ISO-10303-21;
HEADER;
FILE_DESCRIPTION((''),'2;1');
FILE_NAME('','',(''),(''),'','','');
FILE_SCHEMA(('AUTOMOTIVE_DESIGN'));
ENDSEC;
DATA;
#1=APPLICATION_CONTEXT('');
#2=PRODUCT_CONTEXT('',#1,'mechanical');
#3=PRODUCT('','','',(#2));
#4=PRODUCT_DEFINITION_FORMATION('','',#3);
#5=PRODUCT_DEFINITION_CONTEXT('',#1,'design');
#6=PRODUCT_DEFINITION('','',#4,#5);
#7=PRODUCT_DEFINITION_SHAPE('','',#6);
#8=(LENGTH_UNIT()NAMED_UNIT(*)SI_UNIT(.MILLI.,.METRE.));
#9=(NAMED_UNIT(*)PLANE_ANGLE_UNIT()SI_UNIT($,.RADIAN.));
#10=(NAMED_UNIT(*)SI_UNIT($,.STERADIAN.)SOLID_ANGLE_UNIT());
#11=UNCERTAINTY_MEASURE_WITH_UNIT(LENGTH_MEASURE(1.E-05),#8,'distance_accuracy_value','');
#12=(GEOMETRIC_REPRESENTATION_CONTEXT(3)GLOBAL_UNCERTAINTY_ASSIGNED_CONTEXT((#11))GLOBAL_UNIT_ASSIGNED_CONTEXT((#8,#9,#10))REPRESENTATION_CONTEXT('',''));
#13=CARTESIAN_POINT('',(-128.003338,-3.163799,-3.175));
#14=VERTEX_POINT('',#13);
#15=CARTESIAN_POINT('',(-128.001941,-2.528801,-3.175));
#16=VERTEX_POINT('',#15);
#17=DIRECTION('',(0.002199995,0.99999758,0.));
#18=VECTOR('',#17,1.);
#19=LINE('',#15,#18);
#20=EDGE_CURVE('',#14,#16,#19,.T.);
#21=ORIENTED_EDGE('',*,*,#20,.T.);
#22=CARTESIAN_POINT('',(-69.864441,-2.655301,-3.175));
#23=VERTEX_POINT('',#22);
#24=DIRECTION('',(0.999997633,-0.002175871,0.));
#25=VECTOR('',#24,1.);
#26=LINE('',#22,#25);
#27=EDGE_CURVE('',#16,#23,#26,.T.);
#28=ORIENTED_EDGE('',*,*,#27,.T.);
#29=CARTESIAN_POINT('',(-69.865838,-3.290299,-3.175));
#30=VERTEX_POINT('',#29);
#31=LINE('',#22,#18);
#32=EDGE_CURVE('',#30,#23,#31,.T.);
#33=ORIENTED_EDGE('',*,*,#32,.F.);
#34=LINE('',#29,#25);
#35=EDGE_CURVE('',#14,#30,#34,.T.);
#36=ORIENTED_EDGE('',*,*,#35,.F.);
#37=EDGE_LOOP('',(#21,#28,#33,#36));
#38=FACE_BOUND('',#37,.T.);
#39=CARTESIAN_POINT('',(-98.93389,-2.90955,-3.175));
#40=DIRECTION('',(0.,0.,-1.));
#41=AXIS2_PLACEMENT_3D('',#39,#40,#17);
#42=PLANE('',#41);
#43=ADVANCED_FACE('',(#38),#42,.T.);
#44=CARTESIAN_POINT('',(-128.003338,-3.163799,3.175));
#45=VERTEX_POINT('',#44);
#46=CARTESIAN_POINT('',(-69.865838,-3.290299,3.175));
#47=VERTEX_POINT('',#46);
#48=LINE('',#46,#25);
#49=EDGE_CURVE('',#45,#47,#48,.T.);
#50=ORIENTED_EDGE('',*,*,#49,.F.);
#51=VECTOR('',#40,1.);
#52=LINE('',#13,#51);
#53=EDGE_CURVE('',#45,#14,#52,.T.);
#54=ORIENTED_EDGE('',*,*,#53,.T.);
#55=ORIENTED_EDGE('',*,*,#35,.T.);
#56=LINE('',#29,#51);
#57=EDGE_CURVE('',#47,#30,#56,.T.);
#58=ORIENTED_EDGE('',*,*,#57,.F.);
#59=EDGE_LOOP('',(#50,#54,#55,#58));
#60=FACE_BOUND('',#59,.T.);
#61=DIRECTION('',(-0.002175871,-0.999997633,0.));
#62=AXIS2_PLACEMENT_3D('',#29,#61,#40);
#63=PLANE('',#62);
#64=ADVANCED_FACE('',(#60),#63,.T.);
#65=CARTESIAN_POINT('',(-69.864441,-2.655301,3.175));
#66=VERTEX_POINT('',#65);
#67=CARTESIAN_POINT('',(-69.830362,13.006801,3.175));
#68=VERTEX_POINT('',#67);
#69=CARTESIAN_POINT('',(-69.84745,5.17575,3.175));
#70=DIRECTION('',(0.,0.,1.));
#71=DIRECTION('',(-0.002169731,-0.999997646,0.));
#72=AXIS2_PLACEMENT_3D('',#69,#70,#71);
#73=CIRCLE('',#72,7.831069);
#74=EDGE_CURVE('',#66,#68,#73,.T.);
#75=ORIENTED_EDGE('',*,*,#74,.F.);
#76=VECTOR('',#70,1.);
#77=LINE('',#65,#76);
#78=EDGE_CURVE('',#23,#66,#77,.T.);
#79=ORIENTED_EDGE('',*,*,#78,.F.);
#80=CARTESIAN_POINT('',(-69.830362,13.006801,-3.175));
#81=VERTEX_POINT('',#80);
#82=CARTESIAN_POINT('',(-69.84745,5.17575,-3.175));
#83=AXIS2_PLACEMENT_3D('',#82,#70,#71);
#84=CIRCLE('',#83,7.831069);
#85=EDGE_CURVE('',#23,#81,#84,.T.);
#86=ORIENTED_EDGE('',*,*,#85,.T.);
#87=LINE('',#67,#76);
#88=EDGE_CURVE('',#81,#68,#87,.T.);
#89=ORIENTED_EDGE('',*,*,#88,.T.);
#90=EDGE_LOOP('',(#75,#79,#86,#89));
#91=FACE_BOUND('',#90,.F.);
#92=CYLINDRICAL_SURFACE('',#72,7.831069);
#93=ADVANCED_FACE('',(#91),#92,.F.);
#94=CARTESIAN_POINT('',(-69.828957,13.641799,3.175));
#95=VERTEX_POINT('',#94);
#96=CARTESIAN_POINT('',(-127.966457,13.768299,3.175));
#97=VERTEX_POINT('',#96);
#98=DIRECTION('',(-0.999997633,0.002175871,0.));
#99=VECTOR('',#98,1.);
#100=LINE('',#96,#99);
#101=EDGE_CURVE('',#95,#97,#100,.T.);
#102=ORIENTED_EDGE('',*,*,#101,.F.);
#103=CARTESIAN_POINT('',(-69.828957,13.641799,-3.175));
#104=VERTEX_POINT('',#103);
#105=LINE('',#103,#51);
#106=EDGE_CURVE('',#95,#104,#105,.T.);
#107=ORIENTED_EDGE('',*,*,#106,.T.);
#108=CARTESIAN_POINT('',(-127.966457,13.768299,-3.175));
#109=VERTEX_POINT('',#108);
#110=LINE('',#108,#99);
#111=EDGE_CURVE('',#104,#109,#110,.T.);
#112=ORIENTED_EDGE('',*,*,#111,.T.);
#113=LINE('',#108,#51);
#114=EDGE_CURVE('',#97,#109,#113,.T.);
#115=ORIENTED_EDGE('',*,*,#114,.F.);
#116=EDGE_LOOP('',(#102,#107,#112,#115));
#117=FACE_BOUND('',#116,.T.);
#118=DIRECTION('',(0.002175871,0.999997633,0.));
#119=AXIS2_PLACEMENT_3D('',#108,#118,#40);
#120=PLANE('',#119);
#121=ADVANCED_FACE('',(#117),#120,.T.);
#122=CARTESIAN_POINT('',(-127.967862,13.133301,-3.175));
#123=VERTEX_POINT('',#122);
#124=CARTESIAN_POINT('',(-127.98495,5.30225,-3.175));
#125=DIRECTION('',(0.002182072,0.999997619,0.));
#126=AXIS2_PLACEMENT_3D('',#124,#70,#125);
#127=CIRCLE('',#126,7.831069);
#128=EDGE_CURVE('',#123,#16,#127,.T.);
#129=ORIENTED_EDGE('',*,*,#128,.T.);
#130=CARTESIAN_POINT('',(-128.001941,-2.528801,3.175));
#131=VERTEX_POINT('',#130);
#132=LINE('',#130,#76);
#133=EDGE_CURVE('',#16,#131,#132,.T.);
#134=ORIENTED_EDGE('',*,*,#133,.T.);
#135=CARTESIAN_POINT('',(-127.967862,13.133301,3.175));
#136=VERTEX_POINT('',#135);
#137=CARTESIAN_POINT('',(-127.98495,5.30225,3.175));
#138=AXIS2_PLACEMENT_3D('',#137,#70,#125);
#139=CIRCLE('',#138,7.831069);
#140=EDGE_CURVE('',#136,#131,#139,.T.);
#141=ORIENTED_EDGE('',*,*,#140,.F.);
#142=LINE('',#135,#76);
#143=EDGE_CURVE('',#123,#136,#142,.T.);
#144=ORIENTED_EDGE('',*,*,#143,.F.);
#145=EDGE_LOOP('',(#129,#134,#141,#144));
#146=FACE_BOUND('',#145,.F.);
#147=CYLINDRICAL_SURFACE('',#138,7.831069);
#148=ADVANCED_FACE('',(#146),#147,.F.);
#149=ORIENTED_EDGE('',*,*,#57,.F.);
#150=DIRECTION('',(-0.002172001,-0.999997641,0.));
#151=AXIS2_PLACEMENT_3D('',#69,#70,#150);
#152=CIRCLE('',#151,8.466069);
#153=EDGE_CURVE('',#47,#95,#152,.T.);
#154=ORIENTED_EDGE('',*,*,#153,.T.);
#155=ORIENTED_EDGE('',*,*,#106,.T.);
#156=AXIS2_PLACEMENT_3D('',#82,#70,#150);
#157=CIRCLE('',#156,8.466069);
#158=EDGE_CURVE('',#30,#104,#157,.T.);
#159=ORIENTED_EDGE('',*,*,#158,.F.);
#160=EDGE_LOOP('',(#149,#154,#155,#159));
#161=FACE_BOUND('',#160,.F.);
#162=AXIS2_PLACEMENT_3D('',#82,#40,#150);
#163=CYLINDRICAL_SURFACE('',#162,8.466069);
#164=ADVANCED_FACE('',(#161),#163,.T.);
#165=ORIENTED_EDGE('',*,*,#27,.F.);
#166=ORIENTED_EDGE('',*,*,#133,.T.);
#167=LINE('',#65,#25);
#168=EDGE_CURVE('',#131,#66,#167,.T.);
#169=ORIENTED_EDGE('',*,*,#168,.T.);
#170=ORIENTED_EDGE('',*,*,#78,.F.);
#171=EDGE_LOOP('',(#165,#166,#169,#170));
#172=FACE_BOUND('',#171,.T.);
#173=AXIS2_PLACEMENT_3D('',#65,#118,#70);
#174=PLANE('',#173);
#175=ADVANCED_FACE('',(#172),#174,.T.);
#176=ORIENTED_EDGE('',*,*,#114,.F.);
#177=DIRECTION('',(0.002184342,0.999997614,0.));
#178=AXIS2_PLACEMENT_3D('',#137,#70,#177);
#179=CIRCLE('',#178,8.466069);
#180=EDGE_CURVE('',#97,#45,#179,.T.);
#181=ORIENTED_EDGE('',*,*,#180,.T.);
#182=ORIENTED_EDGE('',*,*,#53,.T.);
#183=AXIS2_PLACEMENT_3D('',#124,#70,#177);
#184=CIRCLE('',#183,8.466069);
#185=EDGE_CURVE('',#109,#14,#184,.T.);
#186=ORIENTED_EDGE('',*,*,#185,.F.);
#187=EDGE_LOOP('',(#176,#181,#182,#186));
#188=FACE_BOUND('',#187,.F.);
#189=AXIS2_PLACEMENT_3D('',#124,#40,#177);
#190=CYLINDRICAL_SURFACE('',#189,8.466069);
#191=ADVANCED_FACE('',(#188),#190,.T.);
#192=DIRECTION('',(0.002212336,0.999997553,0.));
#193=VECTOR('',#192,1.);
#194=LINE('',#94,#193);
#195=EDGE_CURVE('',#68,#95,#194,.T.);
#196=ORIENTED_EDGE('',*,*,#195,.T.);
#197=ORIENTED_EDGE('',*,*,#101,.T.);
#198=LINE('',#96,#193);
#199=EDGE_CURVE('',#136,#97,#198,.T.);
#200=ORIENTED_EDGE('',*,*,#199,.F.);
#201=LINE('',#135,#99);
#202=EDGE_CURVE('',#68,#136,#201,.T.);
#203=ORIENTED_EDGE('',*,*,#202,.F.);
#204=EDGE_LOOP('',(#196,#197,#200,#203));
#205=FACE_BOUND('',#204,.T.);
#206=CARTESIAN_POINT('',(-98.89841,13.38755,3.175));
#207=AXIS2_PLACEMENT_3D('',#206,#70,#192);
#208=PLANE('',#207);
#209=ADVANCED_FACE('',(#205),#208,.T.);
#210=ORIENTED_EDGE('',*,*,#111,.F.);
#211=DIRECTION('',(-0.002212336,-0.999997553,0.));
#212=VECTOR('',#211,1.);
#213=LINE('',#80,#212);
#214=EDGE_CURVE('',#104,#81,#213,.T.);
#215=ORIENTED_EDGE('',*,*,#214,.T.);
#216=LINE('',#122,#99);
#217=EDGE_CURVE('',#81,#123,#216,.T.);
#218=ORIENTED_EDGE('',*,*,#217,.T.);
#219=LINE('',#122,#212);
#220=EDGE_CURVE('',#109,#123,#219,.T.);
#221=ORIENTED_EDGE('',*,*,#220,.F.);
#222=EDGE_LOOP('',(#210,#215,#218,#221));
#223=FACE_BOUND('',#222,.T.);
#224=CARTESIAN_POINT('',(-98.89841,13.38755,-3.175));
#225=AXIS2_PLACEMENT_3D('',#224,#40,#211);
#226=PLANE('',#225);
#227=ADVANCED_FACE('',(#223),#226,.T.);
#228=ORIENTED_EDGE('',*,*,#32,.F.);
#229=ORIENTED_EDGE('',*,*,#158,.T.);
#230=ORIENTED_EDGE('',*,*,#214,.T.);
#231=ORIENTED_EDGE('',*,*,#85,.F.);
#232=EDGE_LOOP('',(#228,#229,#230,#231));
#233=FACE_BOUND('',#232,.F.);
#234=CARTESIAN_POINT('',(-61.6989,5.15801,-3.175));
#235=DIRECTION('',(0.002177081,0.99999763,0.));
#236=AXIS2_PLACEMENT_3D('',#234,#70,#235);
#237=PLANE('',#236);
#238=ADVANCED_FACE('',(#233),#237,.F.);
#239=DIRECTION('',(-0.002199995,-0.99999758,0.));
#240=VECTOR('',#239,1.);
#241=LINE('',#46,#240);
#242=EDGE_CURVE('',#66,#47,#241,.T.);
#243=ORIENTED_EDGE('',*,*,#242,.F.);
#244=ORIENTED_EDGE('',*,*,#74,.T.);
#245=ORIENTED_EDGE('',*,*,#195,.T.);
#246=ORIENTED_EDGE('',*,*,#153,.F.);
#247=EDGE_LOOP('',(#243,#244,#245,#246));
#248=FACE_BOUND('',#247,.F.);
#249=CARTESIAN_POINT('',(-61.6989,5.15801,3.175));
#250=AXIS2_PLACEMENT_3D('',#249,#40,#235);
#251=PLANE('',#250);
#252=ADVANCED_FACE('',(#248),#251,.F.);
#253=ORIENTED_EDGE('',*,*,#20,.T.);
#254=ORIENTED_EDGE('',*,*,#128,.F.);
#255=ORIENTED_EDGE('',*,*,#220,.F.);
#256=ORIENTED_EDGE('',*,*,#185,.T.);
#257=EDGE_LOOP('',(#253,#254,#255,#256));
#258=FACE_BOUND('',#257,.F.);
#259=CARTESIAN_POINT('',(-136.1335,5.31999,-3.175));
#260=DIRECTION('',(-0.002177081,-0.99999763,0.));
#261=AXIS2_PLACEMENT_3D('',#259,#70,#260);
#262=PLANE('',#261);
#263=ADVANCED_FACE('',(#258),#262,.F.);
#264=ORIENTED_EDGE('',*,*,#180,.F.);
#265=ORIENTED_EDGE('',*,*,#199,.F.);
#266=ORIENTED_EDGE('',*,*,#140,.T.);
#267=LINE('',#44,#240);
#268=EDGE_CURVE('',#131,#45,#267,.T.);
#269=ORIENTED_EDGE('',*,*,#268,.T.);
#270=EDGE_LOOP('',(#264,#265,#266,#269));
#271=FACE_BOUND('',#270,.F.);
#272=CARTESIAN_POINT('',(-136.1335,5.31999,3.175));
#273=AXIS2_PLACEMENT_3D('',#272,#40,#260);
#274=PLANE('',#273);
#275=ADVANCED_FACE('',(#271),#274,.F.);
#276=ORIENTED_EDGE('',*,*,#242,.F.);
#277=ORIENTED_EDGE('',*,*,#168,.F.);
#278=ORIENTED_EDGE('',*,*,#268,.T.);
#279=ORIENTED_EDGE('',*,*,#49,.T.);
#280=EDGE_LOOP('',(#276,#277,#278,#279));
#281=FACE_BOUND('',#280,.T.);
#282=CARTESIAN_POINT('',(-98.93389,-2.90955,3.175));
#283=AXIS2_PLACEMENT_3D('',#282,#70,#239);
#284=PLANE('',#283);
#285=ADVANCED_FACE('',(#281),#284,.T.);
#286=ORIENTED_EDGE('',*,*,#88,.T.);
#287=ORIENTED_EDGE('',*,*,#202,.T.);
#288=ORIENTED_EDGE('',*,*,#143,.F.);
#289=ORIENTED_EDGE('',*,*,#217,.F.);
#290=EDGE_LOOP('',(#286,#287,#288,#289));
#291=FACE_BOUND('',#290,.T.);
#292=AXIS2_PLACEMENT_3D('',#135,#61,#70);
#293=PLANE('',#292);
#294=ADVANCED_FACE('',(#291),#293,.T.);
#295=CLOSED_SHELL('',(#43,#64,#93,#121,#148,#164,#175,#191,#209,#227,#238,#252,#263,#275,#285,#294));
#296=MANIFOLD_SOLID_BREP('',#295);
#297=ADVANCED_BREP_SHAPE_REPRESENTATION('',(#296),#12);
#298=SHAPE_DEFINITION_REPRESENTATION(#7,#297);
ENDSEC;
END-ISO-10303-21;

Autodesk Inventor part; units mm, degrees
sketch "Sketch Path" plane through (0, 0, 0) normal (0, 0, 1) x (1, 0, 0)
  arc A0 (-127.9673, 13.3873) -> (-128.0025, -2.7828) centre (-127.9849, 5.3022) ccw
  arc A1 (-69.865, -2.9093) -> (-69.8298, 13.2608) centre (-69.8474, 5.1757) ccw
  line L0 (-69.865, -2.9093) -> (-128.0025, -2.7828)
  line L1 (-127.9673, 13.3873) -> (-69.8298, 13.2608)
ref_plane "Cross Section Plane" through (-128.0025, -2.7828, 0) normal (1, -0.0022, 0) x (0, 0, 1)
ref_plane "Work Plane2" through (-127.9849, 5.3022, 0) normal (-1, 0, 0) x (0, 0, 1)
ref_plane "Work Plane3" through (-69.8474, 5.1757, 0) normal (-0.9952, 0.0976, 0) x (0, 0, 1)
sketch "Cross Section" plane through (-128.0025, -2.7828, 0) normal (1, -0.0022, 0) x (0, 0, 1)
  line L0 (-3.175, 0.381) -> (3.175, 0.381)
  line L1 (3.175, 0.381) -> (3.175, -0.254)
  line L2 (3.175, -0.254) -> (-3.175, -0.254)
  line L3 (-3.175, -0.254) -> (-3.175, 0.381)
  line L4 (-3.175, 0) -> (3.175, 0) construction
  point P0 (0, 0)
  point P1 (0, 0)
  dimension "d0" = 6.35
  dimension "d4" = 0.254
  dimension "d5" = 0.381
sweep "Belt" add profiles "Cross Section" path "Sketch Path"
equation "\"d0\" = da_B"
equation "\"d4\" = da_a"
equation "\"d5\" = da_a2"
equation "\"da_B\" = 6.35"
equation "\"da_pb\" = 2.032"
equation "\"da_L\" = 167.07517"
equation "\"da_a\" = 0.254"
equation "\"da_S\" = 1.143"
equation "\"da_Beta\" = 20deg"
equation "\"da_Ht\" = 0.508"
equation "\"da_H\" = 1.143"
equation "\"da_a2\" = 0.381"
properties part number "Synchronous Belt" material "Rubber"
